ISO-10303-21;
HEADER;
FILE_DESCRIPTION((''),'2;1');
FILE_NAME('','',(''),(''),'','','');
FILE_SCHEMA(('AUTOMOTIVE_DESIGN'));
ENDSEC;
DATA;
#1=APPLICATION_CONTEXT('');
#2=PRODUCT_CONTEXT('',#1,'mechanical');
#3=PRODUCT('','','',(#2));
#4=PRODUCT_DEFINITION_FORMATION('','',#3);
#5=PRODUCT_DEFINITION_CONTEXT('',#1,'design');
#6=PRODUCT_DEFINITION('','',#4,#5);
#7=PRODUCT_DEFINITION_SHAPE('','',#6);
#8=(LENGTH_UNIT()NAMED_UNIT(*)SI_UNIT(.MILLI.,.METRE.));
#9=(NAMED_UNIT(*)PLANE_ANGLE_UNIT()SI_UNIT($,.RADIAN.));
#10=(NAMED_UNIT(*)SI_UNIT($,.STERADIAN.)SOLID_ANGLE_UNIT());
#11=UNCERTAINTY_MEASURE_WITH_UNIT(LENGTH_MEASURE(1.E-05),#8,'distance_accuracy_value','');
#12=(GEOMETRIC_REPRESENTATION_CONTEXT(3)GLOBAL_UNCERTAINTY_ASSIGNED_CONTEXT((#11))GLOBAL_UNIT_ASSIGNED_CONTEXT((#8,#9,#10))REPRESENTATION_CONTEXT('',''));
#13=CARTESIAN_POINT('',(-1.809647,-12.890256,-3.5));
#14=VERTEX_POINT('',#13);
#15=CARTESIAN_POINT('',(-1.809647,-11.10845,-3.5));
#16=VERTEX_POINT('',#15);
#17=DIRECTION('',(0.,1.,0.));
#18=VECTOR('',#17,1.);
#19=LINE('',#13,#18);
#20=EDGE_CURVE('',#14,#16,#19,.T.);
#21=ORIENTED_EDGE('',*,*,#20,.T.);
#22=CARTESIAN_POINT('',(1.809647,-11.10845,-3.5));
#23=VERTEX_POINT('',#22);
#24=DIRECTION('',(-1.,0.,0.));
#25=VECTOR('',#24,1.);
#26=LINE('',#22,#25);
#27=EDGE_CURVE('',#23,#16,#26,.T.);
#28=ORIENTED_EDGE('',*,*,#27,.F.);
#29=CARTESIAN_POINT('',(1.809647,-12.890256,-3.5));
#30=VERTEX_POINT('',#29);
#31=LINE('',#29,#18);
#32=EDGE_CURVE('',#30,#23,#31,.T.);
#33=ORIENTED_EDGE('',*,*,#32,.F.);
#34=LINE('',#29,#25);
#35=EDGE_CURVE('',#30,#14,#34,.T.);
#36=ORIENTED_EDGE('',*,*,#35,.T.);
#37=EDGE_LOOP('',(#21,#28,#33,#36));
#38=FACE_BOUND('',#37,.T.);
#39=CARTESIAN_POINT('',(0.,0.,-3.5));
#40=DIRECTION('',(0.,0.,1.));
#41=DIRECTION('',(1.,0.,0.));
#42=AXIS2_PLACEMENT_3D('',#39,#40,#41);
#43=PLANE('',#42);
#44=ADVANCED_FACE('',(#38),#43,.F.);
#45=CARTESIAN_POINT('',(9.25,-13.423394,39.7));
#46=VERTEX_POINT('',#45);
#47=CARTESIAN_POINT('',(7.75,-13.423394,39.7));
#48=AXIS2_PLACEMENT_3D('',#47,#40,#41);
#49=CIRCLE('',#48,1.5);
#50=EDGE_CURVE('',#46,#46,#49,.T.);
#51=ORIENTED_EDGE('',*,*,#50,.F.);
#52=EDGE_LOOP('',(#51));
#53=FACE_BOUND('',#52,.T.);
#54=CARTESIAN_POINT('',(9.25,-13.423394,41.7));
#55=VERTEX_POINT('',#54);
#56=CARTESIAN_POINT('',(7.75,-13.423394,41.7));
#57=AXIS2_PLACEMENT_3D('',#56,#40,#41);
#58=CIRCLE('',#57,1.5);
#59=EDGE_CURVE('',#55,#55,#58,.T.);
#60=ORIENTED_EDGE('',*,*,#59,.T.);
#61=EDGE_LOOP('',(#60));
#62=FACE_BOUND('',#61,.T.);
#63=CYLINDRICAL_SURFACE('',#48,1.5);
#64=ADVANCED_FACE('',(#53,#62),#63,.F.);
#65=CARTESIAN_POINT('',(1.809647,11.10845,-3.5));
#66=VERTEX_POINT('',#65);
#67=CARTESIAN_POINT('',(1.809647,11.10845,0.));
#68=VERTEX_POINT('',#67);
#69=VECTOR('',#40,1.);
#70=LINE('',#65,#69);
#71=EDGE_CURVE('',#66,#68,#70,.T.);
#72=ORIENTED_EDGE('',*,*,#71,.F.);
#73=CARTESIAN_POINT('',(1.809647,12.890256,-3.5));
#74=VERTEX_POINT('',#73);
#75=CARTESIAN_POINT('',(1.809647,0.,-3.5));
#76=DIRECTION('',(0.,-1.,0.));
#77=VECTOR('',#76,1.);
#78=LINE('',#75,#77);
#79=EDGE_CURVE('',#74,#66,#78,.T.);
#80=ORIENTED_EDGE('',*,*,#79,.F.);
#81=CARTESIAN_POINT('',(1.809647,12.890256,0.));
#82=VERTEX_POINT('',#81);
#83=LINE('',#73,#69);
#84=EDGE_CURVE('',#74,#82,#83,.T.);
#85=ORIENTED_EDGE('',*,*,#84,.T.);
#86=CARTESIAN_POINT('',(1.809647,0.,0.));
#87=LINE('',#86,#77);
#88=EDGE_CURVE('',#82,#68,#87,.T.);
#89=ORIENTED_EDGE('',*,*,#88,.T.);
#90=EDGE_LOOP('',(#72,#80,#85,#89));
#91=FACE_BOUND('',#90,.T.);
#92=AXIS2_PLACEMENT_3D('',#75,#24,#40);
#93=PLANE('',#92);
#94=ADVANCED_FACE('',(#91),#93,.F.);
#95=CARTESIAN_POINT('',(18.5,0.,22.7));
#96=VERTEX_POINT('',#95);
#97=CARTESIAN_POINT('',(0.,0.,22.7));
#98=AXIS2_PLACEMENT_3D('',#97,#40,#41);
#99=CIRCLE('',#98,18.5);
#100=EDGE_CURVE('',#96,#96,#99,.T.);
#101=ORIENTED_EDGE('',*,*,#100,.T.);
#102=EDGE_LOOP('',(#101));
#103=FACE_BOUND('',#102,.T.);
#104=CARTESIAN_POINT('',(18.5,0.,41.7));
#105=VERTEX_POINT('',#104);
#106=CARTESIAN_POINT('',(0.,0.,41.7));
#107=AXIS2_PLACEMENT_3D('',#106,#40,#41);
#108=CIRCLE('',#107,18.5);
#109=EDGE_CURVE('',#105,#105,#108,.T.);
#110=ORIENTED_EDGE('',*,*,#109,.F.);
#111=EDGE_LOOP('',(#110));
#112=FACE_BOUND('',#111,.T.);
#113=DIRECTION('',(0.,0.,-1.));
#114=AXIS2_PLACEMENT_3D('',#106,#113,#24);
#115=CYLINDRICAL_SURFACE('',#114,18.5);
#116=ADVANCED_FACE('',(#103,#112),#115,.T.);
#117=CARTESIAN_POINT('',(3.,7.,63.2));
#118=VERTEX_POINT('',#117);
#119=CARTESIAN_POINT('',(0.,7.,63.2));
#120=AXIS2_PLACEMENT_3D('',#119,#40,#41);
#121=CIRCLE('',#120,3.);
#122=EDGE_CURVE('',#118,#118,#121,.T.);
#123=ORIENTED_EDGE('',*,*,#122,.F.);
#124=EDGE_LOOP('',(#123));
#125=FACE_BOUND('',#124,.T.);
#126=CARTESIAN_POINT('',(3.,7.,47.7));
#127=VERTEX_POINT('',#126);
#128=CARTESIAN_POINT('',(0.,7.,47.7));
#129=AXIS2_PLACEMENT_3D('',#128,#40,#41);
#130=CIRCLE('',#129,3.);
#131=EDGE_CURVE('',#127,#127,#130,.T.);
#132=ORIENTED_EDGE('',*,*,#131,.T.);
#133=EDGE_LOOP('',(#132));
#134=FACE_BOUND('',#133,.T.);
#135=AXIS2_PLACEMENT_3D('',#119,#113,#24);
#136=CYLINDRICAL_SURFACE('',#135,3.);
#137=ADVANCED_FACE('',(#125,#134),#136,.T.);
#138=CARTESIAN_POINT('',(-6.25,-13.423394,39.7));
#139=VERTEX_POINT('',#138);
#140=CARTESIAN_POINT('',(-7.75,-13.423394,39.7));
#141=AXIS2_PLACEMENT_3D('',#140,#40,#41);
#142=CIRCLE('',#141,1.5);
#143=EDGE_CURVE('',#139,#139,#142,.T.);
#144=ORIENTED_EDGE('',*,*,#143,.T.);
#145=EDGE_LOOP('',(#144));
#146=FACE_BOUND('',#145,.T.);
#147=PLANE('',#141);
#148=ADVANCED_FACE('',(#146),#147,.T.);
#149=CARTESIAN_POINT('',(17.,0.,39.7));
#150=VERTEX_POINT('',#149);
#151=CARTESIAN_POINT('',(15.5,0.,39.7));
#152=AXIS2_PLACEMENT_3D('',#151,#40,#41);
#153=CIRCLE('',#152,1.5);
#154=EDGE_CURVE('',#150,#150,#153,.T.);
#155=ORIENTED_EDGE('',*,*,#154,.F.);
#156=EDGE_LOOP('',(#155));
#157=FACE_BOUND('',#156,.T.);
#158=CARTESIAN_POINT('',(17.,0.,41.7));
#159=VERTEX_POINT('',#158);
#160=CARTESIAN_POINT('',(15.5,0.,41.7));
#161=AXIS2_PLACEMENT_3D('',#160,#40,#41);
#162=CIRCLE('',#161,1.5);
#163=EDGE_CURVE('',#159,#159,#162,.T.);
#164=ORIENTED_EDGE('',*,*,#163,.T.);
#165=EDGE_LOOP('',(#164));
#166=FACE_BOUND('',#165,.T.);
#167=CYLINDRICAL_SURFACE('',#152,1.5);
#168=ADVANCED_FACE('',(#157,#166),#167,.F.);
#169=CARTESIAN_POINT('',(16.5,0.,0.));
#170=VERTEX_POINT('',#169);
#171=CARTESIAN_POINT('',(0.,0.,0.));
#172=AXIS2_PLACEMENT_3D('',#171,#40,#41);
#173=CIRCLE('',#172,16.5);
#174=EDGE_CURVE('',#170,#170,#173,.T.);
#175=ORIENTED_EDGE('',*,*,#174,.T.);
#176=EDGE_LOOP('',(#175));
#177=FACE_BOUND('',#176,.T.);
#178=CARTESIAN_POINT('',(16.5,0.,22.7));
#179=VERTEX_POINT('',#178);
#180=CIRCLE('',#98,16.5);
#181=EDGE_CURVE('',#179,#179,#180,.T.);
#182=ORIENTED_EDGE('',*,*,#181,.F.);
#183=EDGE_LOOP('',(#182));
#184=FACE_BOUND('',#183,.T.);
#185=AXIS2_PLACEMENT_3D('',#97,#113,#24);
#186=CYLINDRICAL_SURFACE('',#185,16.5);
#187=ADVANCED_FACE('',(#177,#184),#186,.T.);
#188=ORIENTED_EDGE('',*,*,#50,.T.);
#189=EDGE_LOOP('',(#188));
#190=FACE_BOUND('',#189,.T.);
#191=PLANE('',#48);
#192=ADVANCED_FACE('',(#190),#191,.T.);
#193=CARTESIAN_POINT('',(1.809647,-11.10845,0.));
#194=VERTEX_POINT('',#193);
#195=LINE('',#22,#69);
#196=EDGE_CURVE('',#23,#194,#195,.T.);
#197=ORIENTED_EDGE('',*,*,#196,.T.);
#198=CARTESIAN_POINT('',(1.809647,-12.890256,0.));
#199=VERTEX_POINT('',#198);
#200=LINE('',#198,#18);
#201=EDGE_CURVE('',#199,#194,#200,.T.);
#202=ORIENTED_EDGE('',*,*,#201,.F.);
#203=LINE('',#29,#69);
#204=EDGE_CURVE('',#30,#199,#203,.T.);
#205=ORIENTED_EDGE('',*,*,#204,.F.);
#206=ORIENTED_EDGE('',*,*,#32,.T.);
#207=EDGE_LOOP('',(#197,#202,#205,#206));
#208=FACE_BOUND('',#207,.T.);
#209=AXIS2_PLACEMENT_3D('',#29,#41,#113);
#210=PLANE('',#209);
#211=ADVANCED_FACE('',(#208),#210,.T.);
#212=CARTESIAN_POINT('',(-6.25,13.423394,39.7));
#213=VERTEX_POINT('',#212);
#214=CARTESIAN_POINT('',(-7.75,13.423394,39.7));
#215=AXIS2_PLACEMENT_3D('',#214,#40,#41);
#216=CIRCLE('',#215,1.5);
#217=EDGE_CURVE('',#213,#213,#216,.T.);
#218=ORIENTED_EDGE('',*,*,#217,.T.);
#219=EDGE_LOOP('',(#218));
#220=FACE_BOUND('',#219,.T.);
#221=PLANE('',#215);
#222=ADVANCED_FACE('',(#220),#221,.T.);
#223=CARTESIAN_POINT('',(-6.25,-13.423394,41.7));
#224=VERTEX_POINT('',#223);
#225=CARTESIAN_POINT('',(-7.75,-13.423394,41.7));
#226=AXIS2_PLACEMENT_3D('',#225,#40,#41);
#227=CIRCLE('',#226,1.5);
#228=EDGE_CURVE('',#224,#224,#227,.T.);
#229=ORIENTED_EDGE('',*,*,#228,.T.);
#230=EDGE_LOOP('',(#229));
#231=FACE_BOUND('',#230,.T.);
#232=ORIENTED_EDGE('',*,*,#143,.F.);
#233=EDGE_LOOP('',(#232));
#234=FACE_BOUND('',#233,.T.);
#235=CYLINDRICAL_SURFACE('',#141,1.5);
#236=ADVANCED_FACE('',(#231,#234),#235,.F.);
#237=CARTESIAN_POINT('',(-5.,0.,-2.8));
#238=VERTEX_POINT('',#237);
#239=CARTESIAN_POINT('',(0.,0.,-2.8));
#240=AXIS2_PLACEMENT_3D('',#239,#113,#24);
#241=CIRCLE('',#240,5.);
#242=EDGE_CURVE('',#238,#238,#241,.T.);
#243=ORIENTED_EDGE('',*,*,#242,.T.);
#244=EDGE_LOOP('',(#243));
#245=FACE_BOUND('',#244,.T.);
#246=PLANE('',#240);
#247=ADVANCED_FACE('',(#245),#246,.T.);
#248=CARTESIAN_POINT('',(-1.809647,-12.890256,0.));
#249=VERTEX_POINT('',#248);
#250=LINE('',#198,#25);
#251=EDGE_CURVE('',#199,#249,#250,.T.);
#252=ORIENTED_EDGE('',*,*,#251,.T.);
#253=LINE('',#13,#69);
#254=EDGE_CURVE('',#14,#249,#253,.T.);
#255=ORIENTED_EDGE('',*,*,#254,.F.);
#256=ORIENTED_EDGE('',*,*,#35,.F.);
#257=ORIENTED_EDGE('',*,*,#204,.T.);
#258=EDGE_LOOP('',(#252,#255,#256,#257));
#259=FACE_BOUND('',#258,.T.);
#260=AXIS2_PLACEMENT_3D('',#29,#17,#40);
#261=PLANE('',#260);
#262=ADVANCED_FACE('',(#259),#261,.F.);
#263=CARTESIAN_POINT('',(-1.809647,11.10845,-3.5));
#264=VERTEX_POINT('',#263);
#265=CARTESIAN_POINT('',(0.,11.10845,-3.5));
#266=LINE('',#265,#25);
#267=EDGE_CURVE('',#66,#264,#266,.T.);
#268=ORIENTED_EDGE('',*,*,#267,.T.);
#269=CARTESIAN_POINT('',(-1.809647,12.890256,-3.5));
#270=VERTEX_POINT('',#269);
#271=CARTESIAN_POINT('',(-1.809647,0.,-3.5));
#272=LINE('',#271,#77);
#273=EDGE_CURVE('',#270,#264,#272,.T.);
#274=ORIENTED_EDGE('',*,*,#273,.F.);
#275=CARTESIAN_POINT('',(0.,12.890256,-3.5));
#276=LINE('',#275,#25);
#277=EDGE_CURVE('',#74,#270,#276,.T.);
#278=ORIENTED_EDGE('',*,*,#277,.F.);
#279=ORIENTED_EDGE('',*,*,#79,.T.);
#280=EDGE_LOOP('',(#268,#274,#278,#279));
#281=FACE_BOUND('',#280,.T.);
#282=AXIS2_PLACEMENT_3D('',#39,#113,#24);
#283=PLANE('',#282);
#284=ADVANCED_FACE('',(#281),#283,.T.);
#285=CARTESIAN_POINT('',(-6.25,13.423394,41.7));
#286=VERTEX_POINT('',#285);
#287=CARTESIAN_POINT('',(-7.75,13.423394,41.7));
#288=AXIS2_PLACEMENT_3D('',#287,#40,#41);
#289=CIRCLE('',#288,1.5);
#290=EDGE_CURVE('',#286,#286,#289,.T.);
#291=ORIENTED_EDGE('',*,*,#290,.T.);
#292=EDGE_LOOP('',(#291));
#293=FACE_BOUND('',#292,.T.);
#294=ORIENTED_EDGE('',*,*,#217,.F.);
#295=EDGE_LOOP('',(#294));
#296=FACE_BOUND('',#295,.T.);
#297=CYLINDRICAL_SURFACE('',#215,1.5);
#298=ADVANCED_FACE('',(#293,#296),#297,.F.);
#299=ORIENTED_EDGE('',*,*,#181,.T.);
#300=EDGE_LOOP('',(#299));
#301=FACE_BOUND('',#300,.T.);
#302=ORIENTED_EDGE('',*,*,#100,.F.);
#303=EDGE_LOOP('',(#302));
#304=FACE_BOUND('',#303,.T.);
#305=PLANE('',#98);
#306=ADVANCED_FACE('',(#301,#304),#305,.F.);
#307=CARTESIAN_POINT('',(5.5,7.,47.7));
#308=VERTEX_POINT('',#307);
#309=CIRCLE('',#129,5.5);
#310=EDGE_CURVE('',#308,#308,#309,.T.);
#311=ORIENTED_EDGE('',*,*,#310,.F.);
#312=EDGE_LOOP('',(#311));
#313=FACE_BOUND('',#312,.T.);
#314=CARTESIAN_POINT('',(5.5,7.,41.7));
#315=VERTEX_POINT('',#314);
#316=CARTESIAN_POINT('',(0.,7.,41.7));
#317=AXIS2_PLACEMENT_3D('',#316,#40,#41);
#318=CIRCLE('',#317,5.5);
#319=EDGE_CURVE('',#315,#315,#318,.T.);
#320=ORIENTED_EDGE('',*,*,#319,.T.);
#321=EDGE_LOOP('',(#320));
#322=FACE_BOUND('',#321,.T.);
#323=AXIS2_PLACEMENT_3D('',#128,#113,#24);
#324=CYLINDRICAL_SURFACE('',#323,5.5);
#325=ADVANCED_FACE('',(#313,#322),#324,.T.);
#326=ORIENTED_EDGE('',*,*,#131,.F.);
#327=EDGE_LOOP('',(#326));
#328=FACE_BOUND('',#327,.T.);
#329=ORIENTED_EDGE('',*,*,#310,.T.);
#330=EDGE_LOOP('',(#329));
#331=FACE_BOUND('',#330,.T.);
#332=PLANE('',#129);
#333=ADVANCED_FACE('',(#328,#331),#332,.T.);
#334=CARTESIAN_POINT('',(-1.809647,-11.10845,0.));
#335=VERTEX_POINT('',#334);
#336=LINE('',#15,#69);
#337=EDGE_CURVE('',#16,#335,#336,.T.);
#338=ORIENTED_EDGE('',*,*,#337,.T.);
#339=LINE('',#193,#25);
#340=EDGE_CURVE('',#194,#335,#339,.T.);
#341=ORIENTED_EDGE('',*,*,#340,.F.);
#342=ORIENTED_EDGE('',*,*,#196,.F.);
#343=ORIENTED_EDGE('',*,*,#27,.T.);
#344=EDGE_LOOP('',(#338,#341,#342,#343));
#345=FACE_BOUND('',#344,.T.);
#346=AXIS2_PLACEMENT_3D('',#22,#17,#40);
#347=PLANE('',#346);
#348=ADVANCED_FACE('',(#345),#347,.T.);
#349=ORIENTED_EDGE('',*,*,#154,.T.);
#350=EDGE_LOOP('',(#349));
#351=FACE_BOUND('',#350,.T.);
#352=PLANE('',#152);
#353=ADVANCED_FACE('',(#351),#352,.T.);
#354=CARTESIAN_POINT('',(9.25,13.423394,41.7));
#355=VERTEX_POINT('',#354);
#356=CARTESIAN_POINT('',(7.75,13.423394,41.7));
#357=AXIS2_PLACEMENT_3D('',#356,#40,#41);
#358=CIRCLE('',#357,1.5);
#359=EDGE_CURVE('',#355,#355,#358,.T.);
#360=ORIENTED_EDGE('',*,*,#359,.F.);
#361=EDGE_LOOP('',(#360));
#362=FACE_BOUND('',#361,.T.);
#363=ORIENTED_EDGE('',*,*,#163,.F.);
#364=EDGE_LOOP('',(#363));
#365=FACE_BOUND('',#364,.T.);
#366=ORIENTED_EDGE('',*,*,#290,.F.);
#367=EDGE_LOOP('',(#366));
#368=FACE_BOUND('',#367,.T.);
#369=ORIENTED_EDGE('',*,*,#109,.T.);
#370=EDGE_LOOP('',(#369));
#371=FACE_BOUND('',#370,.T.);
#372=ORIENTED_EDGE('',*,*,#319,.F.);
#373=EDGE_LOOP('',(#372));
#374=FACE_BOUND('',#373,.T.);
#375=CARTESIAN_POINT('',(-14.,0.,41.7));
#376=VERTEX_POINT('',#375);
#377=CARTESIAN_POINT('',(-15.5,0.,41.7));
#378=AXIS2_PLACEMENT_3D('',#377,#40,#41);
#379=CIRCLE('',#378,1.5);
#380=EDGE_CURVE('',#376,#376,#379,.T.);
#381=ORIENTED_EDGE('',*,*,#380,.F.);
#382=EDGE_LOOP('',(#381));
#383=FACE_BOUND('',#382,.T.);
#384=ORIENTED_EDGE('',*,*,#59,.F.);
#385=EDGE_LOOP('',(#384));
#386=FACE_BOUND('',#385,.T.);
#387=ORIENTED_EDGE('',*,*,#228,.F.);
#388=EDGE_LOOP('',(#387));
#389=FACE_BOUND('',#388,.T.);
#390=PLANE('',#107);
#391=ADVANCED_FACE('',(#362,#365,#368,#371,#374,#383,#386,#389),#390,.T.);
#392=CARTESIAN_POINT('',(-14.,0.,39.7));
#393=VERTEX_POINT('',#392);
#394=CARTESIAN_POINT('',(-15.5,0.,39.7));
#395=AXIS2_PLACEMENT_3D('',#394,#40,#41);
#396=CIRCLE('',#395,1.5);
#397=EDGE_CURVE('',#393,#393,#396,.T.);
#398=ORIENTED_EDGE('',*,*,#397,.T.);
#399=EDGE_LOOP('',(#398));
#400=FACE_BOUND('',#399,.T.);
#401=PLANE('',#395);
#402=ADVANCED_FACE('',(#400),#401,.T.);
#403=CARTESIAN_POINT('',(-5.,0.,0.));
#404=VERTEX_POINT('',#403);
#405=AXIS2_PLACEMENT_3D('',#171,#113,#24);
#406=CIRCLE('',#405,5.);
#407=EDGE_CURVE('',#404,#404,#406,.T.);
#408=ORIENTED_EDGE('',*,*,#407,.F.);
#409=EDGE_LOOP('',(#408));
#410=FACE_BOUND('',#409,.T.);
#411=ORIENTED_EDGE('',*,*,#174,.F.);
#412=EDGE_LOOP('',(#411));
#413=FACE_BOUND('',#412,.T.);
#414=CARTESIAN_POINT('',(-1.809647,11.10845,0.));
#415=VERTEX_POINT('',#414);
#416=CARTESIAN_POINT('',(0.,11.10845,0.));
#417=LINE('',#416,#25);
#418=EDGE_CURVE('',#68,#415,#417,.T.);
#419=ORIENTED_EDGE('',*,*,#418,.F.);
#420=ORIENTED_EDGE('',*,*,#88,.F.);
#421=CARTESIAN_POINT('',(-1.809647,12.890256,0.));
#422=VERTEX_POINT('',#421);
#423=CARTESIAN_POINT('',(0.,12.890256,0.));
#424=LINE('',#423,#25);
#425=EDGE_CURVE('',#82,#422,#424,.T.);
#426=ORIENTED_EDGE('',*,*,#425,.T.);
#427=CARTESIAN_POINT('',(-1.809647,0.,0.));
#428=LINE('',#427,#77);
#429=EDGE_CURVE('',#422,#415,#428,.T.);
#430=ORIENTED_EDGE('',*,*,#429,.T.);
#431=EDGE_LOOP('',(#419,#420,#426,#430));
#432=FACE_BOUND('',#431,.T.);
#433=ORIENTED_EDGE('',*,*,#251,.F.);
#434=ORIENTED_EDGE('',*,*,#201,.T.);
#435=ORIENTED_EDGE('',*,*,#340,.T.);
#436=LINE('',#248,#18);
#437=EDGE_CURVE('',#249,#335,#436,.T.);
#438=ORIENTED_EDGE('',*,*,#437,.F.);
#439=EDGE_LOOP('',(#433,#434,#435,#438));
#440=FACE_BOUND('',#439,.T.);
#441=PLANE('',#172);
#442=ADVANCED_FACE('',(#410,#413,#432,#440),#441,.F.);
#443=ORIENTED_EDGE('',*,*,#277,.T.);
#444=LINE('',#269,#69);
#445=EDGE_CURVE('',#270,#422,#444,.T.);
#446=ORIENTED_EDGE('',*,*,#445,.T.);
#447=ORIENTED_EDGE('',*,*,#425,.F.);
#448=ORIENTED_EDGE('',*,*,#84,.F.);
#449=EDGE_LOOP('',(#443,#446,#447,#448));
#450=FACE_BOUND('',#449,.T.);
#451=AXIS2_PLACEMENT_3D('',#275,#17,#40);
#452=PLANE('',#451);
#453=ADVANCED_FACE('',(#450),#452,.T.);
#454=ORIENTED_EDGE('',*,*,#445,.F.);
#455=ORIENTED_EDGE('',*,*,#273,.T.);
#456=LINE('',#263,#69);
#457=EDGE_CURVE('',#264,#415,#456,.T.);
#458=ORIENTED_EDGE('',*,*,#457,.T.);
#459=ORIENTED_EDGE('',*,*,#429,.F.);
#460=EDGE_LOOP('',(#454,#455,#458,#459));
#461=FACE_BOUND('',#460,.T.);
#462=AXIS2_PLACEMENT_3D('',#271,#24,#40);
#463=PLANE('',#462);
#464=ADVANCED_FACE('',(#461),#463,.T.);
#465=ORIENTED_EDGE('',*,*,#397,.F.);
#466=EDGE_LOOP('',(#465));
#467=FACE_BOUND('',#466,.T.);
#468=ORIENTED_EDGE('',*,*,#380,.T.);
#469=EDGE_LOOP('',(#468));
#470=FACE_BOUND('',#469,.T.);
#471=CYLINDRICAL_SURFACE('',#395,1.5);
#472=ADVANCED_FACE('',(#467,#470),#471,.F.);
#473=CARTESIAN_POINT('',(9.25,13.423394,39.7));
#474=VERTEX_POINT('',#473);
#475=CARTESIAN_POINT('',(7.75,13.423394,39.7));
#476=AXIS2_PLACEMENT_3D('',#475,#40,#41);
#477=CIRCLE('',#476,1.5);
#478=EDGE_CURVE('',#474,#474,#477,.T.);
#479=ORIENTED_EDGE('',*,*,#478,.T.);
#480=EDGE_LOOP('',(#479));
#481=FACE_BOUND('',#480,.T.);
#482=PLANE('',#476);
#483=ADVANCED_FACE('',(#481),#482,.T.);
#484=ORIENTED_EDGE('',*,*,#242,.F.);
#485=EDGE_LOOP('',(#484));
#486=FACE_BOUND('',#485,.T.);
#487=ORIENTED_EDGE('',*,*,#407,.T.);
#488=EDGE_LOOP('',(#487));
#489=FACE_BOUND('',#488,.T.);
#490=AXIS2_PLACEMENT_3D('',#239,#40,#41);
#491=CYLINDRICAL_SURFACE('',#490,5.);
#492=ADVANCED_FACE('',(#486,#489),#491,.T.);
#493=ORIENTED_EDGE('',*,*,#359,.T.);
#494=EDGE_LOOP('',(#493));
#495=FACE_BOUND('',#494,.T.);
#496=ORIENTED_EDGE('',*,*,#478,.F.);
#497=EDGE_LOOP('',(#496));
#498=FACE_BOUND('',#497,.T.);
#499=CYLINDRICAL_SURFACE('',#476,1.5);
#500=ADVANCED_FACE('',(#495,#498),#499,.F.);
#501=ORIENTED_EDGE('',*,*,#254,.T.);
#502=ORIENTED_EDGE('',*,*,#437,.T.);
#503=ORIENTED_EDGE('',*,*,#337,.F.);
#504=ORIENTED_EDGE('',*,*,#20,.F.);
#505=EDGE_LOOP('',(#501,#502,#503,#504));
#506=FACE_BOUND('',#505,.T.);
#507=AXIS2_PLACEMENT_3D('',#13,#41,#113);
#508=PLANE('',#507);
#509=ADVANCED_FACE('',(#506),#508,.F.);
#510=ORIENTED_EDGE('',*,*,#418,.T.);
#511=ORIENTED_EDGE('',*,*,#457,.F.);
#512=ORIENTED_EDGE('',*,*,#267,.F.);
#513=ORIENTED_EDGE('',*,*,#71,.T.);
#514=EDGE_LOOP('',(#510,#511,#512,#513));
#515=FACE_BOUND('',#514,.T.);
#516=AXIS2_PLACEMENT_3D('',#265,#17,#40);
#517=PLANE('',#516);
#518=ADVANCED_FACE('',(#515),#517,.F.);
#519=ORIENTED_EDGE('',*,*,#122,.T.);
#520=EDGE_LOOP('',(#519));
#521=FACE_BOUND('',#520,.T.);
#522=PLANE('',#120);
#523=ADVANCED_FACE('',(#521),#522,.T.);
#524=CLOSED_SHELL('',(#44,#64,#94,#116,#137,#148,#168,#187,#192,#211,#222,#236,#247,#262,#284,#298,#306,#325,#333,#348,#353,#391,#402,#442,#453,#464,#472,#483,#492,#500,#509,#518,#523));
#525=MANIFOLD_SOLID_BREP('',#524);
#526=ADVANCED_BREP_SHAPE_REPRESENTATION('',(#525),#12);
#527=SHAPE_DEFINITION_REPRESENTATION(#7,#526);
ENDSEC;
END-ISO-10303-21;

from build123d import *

# Parameters (mm, degrees)
SKETCH_1_R          = 16.5
EXTRUDE_1_DEPTH     = 22.7
SKETCH_2_R          = 18.5
EXTRUDE_2_DEPTH     = 19
SKETCH_3_R          = 1.5
CUT_EXTRUDE_1_DEPTH = 2
SKETCH_4_R          = 5.5
EXTRUDE_3_DEPTH     = 6
SKETCH_5_R          = 3
EXTRUDE_4_DEPTH     = 15.5
SKETCH_6_R          = 5
EXTRUDE_5_DEPTH     = 2.8
SKETCH_7_W          = 3.619294394
SKETCH_7_H          = 1.78180647
EXTRUDE_6_DEPTH     = 3.5


with BuildPart() as part:
    # 草图1 → 凸台-拉伸1 (new body)
    with BuildSketch(Plane.XY):
        Circle(SKETCH_1_R)
    extrude(amount=EXTRUDE_1_DEPTH)

    # 草图2 → 凸台-拉伸2 (add)
    with BuildSketch(Plane.XY.offset(22.7)):
        Circle(SKETCH_2_R)
    extrude(amount=EXTRUDE_2_DEPTH)

    # 草图3 → 切除-拉伸1 (cut)
    with BuildSketch(Plane.XY.offset(41.7)):
        with Locations((15.5, 0)):
            Circle(SKETCH_3_R)
        with Locations((7.75, -13.423393759)):
            Circle(SKETCH_3_R)
        with Locations((-7.75, -13.423393759)):
            Circle(SKETCH_3_R)
        with Locations((-15.5, 0)):
            Circle(SKETCH_3_R)
        with Locations((-7.75, 13.423393759)):
            Circle(SKETCH_3_R)
        with Locations((7.75, 13.423393759)):
            Circle(SKETCH_3_R)
    extrude(amount=-CUT_EXTRUDE_1_DEPTH, mode=Mode.SUBTRACT)

    # 草图4 → 凸台-拉伸3 (add)
    with BuildSketch(Plane.XY.offset(41.7)):
        with Locations((0, 7)):
            Circle(SKETCH_4_R)
    extrude(amount=EXTRUDE_3_DEPTH)

    # 草图5 → 凸台-拉伸4 (add)
    with BuildSketch(Plane.XY.offset(47.7)):
        with Locations((0, 7)):
            Circle(SKETCH_5_R)
    extrude(amount=EXTRUDE_4_DEPTH)

    # 草图6 → 凸台-拉伸5 (add)
    with BuildSketch(Plane(origin=(0, 0, 0), x_dir=(-1, 0, 0), z_dir=(0, 0, -1))):
        Circle(SKETCH_6_R)
    extrude(amount=EXTRUDE_5_DEPTH)

    # 草图7 → 凸台-拉伸6 (add)
    with BuildSketch(Plane(origin=(0, 0, 0), x_dir=(-1, 0, 0), z_dir=(0, 0, -1))):
        with Locations((0, 11.99935295)):
            Rectangle(SKETCH_7_W, SKETCH_7_H)
        with Locations((0, -11.99935295)):
            Rectangle(SKETCH_7_W, SKETCH_7_H)
    extrude(amount=EXTRUDE_6_DEPTH)


solid = part.part
